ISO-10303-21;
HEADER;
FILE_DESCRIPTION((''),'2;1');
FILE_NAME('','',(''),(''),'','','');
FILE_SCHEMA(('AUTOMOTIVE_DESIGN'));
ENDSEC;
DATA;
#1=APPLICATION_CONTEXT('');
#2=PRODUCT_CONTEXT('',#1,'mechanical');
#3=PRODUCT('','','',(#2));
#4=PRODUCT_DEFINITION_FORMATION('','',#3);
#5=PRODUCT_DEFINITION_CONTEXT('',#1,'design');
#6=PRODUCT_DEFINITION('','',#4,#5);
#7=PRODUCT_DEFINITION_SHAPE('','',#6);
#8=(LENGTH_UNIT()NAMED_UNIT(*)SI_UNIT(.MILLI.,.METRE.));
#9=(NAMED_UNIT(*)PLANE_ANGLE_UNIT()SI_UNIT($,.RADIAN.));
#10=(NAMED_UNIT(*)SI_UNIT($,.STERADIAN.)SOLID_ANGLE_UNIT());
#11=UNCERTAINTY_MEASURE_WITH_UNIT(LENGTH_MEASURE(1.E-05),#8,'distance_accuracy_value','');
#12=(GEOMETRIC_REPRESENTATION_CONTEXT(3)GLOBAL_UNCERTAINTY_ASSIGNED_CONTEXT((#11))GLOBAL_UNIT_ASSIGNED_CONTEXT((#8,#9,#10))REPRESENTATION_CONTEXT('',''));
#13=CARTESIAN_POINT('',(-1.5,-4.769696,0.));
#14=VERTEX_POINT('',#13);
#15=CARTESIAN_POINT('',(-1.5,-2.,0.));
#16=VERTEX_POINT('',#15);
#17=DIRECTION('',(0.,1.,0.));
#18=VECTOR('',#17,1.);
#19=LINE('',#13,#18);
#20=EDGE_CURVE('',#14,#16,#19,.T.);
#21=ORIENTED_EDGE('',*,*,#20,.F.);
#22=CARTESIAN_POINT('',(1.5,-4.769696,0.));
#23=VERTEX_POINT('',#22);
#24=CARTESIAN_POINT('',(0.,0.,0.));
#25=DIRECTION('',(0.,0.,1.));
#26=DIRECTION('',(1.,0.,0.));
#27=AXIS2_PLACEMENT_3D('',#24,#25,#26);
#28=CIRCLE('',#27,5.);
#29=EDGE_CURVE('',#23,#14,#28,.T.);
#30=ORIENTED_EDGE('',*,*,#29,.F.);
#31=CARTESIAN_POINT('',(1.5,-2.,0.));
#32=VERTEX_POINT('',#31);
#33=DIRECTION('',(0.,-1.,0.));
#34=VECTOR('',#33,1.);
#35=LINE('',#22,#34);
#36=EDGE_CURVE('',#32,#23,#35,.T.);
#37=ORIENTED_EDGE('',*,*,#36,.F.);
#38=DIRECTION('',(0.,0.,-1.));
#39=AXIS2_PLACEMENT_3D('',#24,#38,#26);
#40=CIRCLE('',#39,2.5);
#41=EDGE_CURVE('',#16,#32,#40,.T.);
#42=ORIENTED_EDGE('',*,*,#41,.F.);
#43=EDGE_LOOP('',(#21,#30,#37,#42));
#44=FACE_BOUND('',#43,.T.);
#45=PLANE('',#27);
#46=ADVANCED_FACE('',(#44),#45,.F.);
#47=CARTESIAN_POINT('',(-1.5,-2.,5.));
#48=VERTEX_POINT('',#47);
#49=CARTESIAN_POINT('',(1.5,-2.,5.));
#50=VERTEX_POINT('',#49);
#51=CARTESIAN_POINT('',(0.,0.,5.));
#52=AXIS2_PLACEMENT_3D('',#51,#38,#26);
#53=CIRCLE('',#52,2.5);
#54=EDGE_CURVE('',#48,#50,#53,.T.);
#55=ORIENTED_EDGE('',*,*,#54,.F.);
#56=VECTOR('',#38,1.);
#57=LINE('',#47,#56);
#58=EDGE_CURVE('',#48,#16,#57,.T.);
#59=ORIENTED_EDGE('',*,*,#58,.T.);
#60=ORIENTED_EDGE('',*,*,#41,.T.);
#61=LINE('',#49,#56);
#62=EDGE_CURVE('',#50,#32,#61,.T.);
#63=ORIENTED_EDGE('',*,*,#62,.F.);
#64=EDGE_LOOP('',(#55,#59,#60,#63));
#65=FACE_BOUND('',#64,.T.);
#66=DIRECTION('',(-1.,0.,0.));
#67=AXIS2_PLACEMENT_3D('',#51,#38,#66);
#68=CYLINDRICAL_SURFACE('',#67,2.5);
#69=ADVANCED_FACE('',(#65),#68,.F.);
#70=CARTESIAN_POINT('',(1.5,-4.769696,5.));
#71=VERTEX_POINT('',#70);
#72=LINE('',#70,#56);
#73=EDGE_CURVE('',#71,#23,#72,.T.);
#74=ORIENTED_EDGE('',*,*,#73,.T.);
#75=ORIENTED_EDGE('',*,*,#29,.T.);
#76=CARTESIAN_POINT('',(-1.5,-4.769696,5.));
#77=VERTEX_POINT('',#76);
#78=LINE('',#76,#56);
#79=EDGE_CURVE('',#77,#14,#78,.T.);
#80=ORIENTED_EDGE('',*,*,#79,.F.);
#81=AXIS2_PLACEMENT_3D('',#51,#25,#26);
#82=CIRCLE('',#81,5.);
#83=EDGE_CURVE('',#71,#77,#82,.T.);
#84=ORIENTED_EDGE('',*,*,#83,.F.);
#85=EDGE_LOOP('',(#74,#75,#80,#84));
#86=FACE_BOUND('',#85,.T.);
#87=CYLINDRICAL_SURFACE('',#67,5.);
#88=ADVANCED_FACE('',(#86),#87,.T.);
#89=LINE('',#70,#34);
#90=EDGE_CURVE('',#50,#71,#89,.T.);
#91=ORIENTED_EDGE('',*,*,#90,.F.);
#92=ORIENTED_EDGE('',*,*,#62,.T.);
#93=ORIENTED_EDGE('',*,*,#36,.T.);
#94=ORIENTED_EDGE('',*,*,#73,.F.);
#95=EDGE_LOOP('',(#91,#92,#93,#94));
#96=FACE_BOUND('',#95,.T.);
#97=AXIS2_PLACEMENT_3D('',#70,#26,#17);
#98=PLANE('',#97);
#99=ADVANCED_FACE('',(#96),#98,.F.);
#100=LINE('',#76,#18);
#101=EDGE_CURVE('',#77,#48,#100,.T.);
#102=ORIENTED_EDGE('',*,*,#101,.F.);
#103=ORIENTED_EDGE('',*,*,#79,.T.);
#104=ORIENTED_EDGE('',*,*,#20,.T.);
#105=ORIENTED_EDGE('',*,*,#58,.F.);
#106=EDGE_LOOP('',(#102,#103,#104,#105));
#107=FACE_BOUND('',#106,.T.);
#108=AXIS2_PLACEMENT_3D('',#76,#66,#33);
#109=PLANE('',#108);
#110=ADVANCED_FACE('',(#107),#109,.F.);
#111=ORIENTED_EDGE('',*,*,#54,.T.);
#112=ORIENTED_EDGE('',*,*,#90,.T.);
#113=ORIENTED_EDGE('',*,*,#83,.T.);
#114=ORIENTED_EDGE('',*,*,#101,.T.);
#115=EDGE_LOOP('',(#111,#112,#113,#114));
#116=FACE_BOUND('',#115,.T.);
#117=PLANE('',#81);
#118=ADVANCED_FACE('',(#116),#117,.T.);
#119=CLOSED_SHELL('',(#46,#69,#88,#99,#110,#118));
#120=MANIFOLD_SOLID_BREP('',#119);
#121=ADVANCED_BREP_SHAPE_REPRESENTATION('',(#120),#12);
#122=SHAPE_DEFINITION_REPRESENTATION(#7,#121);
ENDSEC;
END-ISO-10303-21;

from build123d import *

# Parameters (mm, degrees)
EXTRUDE_1_DEPTH = 5


with BuildPart() as part:
    # ｽｹｯﾁ1 → ﾎﾞｽ - 押し出し1 (new body)
    with BuildSketch(Plane.XY):
        with BuildLine():
            Line((-1.5, -4.769696007), (-1.5, -2))
            ThreePointArc((-1.5, -2), (0, 2.5), (1.5, -2))
            Line((1.5, -2), (1.5, -4.769696007))
            ThreePointArc((1.5, -4.769696007), (0, 5), (-1.5, -4.769696007))
        make_face()
    extrude(amount=EXTRUDE_1_DEPTH)


solid = part.part
